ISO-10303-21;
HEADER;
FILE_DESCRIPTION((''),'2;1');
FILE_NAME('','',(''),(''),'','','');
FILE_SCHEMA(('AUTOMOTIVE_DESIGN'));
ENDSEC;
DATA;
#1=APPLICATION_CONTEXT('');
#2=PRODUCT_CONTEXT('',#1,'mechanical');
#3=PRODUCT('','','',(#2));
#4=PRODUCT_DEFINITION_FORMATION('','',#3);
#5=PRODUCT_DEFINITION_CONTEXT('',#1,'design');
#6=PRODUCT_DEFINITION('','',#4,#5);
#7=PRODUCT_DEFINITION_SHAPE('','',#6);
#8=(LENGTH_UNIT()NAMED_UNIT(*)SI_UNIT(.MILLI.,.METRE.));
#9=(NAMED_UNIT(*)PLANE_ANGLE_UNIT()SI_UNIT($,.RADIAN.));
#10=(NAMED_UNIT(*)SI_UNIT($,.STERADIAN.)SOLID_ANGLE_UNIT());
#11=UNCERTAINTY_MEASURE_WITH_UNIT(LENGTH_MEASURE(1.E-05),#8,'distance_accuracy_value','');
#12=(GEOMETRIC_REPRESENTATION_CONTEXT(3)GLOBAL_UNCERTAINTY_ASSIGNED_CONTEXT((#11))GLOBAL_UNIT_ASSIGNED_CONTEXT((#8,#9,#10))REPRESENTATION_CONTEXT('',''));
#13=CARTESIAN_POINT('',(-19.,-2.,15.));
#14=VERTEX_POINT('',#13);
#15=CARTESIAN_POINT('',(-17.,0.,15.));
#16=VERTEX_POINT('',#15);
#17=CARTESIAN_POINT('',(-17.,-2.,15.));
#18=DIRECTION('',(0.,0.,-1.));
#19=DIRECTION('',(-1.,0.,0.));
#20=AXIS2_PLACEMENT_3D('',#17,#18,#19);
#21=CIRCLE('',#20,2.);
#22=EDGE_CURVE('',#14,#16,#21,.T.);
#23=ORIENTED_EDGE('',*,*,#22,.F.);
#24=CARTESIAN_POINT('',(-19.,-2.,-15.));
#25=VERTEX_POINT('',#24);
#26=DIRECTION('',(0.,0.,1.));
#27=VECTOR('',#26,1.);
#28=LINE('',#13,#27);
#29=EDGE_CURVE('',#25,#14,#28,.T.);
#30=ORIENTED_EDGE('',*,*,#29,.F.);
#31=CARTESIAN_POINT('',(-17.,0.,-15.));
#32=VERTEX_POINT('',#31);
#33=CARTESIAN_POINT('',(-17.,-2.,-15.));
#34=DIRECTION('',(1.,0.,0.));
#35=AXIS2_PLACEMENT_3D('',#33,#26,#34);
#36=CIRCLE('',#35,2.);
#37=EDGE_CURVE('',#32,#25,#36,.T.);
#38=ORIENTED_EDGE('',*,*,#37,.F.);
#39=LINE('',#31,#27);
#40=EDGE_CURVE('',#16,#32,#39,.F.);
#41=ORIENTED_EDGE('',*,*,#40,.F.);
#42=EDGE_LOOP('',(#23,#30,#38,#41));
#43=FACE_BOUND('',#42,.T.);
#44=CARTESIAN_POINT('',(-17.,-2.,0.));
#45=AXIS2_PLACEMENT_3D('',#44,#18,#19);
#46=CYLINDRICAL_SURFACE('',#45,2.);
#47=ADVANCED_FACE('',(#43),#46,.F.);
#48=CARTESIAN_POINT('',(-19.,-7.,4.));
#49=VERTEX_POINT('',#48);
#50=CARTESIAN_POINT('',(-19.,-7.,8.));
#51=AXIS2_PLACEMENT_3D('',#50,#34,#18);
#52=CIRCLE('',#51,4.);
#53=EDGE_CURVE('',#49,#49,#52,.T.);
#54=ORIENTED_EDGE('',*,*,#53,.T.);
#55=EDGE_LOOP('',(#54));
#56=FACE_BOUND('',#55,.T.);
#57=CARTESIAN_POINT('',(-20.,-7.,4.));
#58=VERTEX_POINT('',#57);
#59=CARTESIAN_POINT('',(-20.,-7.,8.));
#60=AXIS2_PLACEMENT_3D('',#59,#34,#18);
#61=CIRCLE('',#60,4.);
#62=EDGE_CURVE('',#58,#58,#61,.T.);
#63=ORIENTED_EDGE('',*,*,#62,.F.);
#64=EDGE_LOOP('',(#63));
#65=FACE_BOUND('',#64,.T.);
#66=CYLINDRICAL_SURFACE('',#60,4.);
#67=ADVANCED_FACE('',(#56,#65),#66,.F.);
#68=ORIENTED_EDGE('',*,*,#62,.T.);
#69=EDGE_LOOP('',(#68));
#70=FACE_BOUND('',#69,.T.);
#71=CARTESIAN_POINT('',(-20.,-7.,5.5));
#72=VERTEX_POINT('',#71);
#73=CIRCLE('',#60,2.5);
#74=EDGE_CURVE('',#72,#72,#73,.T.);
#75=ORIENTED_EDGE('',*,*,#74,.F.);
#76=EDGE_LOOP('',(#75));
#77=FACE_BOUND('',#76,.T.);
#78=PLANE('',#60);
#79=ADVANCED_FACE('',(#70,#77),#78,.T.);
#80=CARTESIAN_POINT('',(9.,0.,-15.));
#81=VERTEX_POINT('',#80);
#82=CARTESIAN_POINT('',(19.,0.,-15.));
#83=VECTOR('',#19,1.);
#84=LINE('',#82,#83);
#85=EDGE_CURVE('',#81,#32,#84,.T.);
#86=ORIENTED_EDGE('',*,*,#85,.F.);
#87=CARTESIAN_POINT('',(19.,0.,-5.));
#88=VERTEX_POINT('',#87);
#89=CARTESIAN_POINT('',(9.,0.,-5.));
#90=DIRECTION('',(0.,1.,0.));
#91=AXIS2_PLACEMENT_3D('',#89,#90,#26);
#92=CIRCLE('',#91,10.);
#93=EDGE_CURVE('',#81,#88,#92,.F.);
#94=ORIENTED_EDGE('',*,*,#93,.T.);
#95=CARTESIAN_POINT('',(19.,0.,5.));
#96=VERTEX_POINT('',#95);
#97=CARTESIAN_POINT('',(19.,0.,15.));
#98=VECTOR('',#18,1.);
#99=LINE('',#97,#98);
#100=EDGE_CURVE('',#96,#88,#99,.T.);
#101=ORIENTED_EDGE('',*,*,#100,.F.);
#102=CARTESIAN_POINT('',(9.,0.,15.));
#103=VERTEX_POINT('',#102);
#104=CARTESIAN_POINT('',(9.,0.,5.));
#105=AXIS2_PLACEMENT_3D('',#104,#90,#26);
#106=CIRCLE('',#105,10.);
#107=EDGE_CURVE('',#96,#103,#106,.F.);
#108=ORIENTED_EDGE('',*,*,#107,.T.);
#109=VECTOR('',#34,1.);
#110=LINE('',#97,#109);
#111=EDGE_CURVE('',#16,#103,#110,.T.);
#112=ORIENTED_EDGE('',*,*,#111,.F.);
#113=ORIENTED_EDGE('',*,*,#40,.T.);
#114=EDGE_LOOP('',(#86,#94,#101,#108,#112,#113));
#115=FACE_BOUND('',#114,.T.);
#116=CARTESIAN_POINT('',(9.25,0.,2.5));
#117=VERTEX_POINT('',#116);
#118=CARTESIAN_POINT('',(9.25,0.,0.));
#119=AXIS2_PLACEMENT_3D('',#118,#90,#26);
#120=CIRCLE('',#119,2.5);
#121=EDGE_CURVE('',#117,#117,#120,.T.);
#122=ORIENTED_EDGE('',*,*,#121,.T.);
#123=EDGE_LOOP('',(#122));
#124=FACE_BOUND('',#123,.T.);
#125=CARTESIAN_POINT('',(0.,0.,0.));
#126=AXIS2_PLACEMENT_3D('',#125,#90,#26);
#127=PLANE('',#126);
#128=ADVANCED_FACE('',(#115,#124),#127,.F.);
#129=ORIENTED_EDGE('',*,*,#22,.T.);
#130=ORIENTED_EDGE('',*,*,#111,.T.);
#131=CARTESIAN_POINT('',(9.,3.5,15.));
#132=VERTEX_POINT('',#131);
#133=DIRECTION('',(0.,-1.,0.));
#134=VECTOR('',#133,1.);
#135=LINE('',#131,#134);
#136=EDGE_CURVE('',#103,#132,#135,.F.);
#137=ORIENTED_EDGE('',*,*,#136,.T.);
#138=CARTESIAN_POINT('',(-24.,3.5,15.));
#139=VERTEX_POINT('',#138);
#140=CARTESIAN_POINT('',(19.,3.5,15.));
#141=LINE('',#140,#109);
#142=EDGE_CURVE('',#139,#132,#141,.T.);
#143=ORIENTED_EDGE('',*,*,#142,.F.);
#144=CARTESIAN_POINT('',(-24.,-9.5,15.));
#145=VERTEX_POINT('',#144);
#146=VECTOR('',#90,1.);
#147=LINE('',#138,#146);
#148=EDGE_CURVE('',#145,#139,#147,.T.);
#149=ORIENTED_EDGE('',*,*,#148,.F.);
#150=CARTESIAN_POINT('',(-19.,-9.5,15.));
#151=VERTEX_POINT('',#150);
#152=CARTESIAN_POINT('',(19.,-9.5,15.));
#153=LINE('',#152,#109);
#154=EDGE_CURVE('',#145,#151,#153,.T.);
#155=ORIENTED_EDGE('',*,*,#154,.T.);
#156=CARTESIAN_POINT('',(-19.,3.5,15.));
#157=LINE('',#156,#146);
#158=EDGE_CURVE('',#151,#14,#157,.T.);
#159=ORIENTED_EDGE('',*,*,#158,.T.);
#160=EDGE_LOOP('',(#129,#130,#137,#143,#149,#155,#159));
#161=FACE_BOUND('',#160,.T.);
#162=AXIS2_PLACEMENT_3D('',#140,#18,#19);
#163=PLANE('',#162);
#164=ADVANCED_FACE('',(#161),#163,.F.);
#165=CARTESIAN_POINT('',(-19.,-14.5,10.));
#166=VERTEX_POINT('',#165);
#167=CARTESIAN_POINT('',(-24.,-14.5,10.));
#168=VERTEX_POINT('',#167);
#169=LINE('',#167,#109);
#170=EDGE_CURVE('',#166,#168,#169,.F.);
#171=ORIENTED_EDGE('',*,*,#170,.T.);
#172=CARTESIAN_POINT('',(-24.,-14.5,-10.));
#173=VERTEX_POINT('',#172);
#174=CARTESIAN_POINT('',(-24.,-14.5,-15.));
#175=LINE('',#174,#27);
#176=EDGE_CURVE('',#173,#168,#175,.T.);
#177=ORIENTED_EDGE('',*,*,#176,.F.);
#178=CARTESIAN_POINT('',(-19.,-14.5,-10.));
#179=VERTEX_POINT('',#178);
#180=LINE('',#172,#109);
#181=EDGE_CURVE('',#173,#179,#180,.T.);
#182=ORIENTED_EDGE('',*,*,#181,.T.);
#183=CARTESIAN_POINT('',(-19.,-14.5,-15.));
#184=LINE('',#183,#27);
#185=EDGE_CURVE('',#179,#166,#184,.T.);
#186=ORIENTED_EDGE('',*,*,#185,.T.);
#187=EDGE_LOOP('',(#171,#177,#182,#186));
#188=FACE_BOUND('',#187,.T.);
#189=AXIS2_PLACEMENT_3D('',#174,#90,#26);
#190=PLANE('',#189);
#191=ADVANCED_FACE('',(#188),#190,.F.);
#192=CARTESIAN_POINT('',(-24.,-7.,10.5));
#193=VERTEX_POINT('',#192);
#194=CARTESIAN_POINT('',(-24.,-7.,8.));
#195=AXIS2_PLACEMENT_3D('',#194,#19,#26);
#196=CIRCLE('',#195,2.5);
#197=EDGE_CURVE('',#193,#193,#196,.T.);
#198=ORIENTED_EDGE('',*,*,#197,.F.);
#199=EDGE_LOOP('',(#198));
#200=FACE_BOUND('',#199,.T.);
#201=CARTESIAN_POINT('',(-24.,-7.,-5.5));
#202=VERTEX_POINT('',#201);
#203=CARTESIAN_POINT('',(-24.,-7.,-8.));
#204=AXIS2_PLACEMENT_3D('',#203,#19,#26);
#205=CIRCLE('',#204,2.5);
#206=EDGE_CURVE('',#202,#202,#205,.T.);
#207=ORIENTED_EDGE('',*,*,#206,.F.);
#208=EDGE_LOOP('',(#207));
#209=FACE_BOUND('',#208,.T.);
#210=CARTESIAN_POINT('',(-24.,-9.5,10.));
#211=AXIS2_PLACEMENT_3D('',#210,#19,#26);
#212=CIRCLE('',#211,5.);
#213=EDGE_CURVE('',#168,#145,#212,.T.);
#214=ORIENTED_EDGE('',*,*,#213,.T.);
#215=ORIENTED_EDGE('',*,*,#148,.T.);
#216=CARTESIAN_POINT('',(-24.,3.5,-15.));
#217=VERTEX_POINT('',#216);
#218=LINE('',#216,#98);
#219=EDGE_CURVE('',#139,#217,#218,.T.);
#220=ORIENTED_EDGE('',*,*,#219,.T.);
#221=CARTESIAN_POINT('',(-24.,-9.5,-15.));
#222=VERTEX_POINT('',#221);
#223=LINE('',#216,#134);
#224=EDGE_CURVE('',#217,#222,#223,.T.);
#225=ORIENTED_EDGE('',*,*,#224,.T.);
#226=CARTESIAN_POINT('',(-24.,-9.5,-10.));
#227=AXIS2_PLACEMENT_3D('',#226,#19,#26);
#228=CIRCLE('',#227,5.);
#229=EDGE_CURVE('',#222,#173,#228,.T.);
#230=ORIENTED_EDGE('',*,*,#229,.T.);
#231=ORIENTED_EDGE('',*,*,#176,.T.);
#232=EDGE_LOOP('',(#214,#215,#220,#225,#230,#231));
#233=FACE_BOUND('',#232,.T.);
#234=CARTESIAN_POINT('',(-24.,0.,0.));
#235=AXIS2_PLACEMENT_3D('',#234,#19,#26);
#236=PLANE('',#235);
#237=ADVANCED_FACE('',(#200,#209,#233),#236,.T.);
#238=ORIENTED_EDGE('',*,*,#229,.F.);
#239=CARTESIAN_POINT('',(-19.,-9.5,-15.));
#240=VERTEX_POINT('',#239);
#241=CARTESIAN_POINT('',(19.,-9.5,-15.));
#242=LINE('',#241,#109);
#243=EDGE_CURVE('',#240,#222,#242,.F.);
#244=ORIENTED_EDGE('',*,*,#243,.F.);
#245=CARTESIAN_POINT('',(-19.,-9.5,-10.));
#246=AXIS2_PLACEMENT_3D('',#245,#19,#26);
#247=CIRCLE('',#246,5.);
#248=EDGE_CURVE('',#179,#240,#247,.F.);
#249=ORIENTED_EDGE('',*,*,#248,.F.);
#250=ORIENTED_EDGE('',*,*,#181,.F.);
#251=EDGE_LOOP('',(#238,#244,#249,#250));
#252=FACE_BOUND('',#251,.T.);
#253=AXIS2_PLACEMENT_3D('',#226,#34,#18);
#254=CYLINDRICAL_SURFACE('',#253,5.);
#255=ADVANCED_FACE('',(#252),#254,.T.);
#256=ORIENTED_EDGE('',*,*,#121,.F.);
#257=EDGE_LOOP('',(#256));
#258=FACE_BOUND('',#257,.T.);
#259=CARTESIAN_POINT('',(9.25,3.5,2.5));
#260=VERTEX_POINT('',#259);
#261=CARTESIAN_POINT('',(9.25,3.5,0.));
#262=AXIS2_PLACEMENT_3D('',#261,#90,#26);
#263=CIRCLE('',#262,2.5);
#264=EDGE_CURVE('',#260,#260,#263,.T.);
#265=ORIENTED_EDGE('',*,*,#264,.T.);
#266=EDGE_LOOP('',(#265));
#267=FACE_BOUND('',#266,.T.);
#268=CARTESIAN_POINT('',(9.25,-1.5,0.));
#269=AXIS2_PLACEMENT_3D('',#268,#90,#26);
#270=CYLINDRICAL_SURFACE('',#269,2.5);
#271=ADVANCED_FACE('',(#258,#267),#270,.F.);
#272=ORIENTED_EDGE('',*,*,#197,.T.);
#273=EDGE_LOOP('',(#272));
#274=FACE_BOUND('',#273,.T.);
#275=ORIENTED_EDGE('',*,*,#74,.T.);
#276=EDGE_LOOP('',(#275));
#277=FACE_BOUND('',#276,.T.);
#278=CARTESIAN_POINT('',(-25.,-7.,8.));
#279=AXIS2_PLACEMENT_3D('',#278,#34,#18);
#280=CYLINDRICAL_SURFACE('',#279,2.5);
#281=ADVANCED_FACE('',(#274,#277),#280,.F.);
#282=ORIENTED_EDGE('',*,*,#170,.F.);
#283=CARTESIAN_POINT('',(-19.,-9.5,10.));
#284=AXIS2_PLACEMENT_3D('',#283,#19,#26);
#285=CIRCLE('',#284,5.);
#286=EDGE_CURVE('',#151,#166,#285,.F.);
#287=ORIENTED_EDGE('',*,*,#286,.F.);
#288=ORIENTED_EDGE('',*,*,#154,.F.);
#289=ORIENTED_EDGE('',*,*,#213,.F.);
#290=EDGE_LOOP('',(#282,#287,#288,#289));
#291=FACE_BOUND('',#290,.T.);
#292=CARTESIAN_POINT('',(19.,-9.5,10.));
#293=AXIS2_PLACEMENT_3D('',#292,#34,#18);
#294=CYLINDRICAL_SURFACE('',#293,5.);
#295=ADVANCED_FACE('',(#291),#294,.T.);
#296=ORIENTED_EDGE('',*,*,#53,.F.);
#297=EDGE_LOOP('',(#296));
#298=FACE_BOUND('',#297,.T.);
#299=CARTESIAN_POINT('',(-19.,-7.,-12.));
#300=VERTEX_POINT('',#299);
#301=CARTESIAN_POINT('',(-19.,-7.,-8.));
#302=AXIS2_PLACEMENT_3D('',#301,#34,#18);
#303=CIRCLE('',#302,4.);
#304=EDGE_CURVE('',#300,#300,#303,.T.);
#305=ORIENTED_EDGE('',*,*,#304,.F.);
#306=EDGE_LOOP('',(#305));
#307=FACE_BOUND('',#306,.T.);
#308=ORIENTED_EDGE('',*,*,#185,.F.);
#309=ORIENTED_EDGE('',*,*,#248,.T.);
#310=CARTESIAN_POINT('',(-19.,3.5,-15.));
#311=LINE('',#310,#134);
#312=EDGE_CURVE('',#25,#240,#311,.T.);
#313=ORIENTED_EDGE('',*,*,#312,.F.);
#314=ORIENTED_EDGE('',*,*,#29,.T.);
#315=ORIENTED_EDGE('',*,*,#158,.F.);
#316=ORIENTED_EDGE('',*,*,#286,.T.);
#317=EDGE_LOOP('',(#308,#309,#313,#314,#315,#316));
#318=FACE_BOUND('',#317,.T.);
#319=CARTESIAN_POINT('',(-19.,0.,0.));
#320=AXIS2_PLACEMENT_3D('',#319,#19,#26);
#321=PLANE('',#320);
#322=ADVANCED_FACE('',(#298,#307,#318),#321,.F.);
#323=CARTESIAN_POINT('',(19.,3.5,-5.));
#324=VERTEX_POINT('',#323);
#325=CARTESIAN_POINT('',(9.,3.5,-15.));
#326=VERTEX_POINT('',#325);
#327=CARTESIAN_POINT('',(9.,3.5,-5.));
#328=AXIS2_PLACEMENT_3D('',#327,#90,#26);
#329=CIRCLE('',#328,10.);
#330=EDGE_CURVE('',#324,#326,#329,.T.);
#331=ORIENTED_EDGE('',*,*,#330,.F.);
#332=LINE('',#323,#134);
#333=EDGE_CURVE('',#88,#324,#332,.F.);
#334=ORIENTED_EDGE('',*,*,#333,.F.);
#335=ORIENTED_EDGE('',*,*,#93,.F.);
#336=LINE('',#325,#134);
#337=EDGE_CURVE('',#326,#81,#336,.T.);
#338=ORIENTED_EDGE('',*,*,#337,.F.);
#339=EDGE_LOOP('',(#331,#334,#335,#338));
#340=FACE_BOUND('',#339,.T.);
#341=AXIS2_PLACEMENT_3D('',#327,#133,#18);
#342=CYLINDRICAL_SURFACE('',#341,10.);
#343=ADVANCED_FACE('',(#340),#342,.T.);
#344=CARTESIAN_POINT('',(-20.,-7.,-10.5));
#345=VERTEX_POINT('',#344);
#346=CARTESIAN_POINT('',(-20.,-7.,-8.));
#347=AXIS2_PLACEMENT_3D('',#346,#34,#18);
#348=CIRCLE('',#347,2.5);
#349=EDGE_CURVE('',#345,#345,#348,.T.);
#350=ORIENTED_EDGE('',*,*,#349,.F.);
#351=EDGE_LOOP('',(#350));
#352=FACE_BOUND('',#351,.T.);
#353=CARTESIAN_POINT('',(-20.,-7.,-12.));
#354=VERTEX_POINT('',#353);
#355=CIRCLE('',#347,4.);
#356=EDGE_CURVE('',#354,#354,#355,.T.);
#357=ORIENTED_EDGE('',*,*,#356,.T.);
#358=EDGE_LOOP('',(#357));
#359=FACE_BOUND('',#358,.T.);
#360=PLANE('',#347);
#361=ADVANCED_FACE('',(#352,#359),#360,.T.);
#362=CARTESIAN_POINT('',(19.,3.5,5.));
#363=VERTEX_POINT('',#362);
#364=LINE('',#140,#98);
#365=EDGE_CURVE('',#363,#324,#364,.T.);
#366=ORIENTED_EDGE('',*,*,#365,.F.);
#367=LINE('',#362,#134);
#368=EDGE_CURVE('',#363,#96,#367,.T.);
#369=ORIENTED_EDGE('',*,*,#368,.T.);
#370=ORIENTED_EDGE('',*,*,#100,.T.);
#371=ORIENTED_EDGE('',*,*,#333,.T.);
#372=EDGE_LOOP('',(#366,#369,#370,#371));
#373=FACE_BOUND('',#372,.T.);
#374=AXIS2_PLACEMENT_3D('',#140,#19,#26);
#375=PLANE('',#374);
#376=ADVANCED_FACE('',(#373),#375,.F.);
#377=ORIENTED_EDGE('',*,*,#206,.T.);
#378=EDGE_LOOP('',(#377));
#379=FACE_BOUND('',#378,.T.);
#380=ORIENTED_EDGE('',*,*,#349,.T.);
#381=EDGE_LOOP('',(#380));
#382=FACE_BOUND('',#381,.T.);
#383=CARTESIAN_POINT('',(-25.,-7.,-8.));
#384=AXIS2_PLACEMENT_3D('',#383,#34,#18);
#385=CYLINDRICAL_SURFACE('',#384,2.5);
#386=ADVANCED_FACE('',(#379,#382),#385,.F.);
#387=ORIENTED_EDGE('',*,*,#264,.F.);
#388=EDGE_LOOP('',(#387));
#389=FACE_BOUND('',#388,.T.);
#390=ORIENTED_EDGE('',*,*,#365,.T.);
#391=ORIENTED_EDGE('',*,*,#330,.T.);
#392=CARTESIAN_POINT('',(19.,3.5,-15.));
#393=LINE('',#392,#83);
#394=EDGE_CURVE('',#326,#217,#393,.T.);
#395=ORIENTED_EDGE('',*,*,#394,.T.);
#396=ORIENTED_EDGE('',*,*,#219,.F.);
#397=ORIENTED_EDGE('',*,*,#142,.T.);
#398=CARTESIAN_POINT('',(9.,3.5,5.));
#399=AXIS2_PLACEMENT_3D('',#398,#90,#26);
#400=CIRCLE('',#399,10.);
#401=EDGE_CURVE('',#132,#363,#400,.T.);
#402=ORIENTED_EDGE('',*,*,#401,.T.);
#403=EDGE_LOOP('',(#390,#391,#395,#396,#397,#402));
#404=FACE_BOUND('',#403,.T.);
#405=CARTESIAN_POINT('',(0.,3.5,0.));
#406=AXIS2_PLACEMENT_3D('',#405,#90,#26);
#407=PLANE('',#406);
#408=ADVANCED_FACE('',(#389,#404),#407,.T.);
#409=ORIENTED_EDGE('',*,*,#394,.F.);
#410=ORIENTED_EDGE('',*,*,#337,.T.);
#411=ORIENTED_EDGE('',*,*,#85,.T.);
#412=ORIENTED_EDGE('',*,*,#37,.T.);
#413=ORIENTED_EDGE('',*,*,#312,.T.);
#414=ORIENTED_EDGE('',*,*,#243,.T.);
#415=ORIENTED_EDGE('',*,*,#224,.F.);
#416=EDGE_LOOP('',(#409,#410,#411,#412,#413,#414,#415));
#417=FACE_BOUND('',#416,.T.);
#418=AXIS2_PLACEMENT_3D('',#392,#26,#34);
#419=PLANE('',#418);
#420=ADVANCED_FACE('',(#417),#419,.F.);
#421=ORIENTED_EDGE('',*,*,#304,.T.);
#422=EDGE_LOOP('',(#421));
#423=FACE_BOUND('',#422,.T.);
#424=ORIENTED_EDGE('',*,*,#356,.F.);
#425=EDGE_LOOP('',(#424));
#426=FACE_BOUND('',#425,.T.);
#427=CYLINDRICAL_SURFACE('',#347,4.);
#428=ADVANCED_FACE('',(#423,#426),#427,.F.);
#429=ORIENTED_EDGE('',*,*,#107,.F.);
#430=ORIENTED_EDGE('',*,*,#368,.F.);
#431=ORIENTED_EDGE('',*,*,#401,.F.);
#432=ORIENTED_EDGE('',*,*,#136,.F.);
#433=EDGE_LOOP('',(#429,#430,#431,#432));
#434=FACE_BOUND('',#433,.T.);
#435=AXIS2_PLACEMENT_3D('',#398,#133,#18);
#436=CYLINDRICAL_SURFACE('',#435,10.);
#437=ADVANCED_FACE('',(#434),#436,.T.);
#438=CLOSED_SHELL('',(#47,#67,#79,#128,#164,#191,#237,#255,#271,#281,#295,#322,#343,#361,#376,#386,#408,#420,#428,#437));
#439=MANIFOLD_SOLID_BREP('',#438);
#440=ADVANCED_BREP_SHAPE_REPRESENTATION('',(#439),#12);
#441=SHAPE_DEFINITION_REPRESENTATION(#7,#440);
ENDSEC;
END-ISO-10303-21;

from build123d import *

# Parameters (mm, degrees)
SKETCH1_W           = 38
SKETCH1_H           = 30
BOSS_EXTRUDE1_DEPTH = 3.5
SKETCH2_W           = 30
SKETCH2_H           = 18
BOSS_EXTRUDE2_DEPTH = 5
SKETCH3_R           = 4
CUT_EXTRUDE1_DEPTH  = 1
SKETCH4_R           = 2.5
CUT_EXTRUDE2_DEPTH  = 5
SKETCH5_R           = 2.5
CUT_EXTRUDE3_DEPTH  = 5
FILLET1_R           = 10
FILLET2_R           = 2
FILLET3_R           = 5


with BuildPart() as part:
    # Sketch1 → Boss-Extrude1 (new body)
    with BuildSketch(Plane(origin=(0, 0, 0), x_dir=(1, 0, 0), z_dir=(0, 1, 0))):
        Rectangle(SKETCH1_W, SKETCH1_H)
    extrude(amount=BOSS_EXTRUDE1_DEPTH)

    # Sketch2 → Boss-Extrude2 (add)
    with BuildSketch(Plane.ZY.offset(19)):
        with Locations((0, -5.5)):
            Rectangle(SKETCH2_W, SKETCH2_H)
    extrude(amount=BOSS_EXTRUDE2_DEPTH)

    # Sketch3 → Cut-Extrude1 (cut)
    with BuildSketch(Plane(origin=(-19, 0, 0), x_dir=(0, 0, -1), z_dir=(1, 0, 0))):
        with Locations((-8, -7)):
            Circle(SKETCH3_R)
        with Locations((8, -7)):
            Circle(SKETCH3_R)
    extrude(amount=-CUT_EXTRUDE1_DEPTH, mode=Mode.SUBTRACT)

    # Sketch4 → Cut-Extrude2 (cut)
    with BuildSketch(Plane(origin=(-20, 0, 0), x_dir=(0, 0, -1), z_dir=(1, 0, 0))):
        with Locations((-8, -7)):
            Circle(SKETCH4_R)
        with Locations((8, -7)):
            Circle(SKETCH4_R)
    extrude(amount=-CUT_EXTRUDE2_DEPTH, mode=Mode.SUBTRACT)

    # Sketch5 → Cut-Extrude3 (cut)
    with BuildSketch(Plane(origin=(0, 3.5, 0), x_dir=(1, 0, 0), z_dir=(0, 1, 0))):
        with Locations((9.25, 0)):
            Circle(SKETCH5_R)
    extrude(amount=-CUT_EXTRUDE3_DEPTH, mode=Mode.SUBTRACT)

    # Fillet1
    fillet1_edges = [part.edges().sort_by_distance(p)[0] for p in [
        (19, 1.75, -15),
        (19, 1.75, 15),
    ]]
    fillet(fillet1_edges, radius=FILLET1_R)

    # Fillet2
    fillet2_edges = [part.edges().sort_by_distance(p)[0] for p in [
        (-19, 0, 0),
    ]]
    fillet(fillet2_edges, radius=FILLET2_R)

    # Fillet3
    fillet3_edges = [part.edges().sort_by_distance(p)[0] for p in [
        (-21.5, -14.5, -15),
        (-21.5, -14.5, 15),
    ]]
    fillet(fillet3_edges, radius=FILLET3_R)


solid = part.part
